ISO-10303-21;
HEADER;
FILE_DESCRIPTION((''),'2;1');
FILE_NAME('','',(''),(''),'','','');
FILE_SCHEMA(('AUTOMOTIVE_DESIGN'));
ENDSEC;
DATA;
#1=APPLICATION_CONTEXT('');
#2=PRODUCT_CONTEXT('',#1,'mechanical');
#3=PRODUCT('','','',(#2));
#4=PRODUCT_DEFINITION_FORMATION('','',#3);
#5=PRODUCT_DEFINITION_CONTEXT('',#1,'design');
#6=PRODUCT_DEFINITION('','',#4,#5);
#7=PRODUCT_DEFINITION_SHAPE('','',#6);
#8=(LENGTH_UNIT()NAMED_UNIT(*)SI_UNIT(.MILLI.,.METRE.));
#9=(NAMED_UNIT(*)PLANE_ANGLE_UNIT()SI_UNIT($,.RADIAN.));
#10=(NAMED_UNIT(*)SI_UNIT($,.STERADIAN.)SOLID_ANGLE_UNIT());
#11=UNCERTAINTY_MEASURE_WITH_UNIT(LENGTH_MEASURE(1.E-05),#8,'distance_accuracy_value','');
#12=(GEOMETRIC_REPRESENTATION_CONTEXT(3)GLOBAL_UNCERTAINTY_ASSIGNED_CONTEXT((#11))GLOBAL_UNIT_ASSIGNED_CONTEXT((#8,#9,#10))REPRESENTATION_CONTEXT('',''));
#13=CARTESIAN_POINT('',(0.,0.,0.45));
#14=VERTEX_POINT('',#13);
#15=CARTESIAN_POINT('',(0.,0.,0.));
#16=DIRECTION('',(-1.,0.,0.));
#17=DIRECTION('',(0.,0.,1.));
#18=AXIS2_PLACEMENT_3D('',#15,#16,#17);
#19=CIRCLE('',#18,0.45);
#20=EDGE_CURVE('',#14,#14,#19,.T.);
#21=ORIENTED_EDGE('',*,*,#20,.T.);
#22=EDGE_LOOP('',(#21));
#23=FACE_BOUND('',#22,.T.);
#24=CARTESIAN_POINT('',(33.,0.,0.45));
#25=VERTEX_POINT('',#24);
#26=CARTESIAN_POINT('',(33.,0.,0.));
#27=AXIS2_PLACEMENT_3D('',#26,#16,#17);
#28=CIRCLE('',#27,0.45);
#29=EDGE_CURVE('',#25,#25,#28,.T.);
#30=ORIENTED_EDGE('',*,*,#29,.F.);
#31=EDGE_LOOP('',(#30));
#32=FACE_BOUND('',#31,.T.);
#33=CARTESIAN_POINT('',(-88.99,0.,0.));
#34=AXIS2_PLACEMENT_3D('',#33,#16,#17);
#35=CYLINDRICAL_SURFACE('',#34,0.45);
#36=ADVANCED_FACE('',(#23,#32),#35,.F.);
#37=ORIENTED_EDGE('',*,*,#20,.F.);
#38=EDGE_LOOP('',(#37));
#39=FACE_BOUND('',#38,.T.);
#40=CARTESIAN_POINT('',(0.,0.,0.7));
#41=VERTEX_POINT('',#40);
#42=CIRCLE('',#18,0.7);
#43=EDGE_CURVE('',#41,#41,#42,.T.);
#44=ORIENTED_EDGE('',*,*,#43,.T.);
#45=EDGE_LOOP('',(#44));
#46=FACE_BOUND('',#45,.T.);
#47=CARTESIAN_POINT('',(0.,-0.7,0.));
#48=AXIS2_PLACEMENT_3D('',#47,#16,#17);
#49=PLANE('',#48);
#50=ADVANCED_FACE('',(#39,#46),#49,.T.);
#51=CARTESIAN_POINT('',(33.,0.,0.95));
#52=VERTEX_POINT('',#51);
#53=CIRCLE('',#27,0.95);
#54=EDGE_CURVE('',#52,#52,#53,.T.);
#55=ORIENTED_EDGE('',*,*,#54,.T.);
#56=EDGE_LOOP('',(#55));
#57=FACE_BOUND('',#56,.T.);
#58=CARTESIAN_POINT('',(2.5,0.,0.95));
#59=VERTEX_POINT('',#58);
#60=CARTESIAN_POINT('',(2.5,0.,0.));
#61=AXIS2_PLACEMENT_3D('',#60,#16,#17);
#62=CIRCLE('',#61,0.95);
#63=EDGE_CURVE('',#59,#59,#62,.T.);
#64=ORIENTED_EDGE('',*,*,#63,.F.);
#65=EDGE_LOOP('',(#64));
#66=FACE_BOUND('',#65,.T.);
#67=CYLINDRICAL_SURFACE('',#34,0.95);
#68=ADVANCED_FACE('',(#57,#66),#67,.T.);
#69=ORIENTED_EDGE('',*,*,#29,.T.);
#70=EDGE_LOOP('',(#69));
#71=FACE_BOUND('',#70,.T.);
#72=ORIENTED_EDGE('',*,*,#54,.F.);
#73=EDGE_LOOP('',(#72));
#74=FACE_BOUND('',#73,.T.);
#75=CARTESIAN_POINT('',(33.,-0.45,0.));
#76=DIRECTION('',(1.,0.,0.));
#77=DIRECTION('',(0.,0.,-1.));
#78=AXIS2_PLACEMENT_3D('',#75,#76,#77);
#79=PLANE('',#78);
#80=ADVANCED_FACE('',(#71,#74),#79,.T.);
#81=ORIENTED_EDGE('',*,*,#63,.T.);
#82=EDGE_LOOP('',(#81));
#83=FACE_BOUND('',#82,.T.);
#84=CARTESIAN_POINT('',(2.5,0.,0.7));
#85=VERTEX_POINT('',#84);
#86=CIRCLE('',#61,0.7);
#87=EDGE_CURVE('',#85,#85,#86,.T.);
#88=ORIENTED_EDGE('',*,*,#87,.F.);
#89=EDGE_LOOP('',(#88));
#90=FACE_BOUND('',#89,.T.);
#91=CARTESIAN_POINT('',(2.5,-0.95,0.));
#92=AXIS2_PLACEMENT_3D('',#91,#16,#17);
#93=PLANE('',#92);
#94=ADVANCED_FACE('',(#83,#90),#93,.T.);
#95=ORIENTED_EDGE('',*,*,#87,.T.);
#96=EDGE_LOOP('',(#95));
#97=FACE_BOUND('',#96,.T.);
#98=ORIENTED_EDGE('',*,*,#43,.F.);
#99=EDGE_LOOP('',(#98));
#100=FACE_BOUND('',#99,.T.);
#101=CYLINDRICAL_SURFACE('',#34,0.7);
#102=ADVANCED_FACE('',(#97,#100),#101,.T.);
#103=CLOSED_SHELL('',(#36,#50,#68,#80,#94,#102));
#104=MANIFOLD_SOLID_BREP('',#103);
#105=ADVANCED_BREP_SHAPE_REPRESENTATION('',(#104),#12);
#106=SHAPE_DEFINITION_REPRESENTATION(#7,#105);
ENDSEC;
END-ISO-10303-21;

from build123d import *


with BuildPart() as part:
    # Sketch1 → Revolve1 (revolve)
    with BuildSketch(Plane.XY, mode=Mode.PRIVATE) as revolve1_sk:
        Polygon((0, -0.45), (33, -0.45), (33, -0.95), (2.5, -0.95), (2.5, -0.7), (0, -0.7), align=None)
    revolve(revolve1_sk.sketch.rotate(Axis((-88.99, 0, 0), (1, 0, 0)), 270), axis=Axis((-88.99, 0, 0), (1, 0, 0)))


solid = part.part
